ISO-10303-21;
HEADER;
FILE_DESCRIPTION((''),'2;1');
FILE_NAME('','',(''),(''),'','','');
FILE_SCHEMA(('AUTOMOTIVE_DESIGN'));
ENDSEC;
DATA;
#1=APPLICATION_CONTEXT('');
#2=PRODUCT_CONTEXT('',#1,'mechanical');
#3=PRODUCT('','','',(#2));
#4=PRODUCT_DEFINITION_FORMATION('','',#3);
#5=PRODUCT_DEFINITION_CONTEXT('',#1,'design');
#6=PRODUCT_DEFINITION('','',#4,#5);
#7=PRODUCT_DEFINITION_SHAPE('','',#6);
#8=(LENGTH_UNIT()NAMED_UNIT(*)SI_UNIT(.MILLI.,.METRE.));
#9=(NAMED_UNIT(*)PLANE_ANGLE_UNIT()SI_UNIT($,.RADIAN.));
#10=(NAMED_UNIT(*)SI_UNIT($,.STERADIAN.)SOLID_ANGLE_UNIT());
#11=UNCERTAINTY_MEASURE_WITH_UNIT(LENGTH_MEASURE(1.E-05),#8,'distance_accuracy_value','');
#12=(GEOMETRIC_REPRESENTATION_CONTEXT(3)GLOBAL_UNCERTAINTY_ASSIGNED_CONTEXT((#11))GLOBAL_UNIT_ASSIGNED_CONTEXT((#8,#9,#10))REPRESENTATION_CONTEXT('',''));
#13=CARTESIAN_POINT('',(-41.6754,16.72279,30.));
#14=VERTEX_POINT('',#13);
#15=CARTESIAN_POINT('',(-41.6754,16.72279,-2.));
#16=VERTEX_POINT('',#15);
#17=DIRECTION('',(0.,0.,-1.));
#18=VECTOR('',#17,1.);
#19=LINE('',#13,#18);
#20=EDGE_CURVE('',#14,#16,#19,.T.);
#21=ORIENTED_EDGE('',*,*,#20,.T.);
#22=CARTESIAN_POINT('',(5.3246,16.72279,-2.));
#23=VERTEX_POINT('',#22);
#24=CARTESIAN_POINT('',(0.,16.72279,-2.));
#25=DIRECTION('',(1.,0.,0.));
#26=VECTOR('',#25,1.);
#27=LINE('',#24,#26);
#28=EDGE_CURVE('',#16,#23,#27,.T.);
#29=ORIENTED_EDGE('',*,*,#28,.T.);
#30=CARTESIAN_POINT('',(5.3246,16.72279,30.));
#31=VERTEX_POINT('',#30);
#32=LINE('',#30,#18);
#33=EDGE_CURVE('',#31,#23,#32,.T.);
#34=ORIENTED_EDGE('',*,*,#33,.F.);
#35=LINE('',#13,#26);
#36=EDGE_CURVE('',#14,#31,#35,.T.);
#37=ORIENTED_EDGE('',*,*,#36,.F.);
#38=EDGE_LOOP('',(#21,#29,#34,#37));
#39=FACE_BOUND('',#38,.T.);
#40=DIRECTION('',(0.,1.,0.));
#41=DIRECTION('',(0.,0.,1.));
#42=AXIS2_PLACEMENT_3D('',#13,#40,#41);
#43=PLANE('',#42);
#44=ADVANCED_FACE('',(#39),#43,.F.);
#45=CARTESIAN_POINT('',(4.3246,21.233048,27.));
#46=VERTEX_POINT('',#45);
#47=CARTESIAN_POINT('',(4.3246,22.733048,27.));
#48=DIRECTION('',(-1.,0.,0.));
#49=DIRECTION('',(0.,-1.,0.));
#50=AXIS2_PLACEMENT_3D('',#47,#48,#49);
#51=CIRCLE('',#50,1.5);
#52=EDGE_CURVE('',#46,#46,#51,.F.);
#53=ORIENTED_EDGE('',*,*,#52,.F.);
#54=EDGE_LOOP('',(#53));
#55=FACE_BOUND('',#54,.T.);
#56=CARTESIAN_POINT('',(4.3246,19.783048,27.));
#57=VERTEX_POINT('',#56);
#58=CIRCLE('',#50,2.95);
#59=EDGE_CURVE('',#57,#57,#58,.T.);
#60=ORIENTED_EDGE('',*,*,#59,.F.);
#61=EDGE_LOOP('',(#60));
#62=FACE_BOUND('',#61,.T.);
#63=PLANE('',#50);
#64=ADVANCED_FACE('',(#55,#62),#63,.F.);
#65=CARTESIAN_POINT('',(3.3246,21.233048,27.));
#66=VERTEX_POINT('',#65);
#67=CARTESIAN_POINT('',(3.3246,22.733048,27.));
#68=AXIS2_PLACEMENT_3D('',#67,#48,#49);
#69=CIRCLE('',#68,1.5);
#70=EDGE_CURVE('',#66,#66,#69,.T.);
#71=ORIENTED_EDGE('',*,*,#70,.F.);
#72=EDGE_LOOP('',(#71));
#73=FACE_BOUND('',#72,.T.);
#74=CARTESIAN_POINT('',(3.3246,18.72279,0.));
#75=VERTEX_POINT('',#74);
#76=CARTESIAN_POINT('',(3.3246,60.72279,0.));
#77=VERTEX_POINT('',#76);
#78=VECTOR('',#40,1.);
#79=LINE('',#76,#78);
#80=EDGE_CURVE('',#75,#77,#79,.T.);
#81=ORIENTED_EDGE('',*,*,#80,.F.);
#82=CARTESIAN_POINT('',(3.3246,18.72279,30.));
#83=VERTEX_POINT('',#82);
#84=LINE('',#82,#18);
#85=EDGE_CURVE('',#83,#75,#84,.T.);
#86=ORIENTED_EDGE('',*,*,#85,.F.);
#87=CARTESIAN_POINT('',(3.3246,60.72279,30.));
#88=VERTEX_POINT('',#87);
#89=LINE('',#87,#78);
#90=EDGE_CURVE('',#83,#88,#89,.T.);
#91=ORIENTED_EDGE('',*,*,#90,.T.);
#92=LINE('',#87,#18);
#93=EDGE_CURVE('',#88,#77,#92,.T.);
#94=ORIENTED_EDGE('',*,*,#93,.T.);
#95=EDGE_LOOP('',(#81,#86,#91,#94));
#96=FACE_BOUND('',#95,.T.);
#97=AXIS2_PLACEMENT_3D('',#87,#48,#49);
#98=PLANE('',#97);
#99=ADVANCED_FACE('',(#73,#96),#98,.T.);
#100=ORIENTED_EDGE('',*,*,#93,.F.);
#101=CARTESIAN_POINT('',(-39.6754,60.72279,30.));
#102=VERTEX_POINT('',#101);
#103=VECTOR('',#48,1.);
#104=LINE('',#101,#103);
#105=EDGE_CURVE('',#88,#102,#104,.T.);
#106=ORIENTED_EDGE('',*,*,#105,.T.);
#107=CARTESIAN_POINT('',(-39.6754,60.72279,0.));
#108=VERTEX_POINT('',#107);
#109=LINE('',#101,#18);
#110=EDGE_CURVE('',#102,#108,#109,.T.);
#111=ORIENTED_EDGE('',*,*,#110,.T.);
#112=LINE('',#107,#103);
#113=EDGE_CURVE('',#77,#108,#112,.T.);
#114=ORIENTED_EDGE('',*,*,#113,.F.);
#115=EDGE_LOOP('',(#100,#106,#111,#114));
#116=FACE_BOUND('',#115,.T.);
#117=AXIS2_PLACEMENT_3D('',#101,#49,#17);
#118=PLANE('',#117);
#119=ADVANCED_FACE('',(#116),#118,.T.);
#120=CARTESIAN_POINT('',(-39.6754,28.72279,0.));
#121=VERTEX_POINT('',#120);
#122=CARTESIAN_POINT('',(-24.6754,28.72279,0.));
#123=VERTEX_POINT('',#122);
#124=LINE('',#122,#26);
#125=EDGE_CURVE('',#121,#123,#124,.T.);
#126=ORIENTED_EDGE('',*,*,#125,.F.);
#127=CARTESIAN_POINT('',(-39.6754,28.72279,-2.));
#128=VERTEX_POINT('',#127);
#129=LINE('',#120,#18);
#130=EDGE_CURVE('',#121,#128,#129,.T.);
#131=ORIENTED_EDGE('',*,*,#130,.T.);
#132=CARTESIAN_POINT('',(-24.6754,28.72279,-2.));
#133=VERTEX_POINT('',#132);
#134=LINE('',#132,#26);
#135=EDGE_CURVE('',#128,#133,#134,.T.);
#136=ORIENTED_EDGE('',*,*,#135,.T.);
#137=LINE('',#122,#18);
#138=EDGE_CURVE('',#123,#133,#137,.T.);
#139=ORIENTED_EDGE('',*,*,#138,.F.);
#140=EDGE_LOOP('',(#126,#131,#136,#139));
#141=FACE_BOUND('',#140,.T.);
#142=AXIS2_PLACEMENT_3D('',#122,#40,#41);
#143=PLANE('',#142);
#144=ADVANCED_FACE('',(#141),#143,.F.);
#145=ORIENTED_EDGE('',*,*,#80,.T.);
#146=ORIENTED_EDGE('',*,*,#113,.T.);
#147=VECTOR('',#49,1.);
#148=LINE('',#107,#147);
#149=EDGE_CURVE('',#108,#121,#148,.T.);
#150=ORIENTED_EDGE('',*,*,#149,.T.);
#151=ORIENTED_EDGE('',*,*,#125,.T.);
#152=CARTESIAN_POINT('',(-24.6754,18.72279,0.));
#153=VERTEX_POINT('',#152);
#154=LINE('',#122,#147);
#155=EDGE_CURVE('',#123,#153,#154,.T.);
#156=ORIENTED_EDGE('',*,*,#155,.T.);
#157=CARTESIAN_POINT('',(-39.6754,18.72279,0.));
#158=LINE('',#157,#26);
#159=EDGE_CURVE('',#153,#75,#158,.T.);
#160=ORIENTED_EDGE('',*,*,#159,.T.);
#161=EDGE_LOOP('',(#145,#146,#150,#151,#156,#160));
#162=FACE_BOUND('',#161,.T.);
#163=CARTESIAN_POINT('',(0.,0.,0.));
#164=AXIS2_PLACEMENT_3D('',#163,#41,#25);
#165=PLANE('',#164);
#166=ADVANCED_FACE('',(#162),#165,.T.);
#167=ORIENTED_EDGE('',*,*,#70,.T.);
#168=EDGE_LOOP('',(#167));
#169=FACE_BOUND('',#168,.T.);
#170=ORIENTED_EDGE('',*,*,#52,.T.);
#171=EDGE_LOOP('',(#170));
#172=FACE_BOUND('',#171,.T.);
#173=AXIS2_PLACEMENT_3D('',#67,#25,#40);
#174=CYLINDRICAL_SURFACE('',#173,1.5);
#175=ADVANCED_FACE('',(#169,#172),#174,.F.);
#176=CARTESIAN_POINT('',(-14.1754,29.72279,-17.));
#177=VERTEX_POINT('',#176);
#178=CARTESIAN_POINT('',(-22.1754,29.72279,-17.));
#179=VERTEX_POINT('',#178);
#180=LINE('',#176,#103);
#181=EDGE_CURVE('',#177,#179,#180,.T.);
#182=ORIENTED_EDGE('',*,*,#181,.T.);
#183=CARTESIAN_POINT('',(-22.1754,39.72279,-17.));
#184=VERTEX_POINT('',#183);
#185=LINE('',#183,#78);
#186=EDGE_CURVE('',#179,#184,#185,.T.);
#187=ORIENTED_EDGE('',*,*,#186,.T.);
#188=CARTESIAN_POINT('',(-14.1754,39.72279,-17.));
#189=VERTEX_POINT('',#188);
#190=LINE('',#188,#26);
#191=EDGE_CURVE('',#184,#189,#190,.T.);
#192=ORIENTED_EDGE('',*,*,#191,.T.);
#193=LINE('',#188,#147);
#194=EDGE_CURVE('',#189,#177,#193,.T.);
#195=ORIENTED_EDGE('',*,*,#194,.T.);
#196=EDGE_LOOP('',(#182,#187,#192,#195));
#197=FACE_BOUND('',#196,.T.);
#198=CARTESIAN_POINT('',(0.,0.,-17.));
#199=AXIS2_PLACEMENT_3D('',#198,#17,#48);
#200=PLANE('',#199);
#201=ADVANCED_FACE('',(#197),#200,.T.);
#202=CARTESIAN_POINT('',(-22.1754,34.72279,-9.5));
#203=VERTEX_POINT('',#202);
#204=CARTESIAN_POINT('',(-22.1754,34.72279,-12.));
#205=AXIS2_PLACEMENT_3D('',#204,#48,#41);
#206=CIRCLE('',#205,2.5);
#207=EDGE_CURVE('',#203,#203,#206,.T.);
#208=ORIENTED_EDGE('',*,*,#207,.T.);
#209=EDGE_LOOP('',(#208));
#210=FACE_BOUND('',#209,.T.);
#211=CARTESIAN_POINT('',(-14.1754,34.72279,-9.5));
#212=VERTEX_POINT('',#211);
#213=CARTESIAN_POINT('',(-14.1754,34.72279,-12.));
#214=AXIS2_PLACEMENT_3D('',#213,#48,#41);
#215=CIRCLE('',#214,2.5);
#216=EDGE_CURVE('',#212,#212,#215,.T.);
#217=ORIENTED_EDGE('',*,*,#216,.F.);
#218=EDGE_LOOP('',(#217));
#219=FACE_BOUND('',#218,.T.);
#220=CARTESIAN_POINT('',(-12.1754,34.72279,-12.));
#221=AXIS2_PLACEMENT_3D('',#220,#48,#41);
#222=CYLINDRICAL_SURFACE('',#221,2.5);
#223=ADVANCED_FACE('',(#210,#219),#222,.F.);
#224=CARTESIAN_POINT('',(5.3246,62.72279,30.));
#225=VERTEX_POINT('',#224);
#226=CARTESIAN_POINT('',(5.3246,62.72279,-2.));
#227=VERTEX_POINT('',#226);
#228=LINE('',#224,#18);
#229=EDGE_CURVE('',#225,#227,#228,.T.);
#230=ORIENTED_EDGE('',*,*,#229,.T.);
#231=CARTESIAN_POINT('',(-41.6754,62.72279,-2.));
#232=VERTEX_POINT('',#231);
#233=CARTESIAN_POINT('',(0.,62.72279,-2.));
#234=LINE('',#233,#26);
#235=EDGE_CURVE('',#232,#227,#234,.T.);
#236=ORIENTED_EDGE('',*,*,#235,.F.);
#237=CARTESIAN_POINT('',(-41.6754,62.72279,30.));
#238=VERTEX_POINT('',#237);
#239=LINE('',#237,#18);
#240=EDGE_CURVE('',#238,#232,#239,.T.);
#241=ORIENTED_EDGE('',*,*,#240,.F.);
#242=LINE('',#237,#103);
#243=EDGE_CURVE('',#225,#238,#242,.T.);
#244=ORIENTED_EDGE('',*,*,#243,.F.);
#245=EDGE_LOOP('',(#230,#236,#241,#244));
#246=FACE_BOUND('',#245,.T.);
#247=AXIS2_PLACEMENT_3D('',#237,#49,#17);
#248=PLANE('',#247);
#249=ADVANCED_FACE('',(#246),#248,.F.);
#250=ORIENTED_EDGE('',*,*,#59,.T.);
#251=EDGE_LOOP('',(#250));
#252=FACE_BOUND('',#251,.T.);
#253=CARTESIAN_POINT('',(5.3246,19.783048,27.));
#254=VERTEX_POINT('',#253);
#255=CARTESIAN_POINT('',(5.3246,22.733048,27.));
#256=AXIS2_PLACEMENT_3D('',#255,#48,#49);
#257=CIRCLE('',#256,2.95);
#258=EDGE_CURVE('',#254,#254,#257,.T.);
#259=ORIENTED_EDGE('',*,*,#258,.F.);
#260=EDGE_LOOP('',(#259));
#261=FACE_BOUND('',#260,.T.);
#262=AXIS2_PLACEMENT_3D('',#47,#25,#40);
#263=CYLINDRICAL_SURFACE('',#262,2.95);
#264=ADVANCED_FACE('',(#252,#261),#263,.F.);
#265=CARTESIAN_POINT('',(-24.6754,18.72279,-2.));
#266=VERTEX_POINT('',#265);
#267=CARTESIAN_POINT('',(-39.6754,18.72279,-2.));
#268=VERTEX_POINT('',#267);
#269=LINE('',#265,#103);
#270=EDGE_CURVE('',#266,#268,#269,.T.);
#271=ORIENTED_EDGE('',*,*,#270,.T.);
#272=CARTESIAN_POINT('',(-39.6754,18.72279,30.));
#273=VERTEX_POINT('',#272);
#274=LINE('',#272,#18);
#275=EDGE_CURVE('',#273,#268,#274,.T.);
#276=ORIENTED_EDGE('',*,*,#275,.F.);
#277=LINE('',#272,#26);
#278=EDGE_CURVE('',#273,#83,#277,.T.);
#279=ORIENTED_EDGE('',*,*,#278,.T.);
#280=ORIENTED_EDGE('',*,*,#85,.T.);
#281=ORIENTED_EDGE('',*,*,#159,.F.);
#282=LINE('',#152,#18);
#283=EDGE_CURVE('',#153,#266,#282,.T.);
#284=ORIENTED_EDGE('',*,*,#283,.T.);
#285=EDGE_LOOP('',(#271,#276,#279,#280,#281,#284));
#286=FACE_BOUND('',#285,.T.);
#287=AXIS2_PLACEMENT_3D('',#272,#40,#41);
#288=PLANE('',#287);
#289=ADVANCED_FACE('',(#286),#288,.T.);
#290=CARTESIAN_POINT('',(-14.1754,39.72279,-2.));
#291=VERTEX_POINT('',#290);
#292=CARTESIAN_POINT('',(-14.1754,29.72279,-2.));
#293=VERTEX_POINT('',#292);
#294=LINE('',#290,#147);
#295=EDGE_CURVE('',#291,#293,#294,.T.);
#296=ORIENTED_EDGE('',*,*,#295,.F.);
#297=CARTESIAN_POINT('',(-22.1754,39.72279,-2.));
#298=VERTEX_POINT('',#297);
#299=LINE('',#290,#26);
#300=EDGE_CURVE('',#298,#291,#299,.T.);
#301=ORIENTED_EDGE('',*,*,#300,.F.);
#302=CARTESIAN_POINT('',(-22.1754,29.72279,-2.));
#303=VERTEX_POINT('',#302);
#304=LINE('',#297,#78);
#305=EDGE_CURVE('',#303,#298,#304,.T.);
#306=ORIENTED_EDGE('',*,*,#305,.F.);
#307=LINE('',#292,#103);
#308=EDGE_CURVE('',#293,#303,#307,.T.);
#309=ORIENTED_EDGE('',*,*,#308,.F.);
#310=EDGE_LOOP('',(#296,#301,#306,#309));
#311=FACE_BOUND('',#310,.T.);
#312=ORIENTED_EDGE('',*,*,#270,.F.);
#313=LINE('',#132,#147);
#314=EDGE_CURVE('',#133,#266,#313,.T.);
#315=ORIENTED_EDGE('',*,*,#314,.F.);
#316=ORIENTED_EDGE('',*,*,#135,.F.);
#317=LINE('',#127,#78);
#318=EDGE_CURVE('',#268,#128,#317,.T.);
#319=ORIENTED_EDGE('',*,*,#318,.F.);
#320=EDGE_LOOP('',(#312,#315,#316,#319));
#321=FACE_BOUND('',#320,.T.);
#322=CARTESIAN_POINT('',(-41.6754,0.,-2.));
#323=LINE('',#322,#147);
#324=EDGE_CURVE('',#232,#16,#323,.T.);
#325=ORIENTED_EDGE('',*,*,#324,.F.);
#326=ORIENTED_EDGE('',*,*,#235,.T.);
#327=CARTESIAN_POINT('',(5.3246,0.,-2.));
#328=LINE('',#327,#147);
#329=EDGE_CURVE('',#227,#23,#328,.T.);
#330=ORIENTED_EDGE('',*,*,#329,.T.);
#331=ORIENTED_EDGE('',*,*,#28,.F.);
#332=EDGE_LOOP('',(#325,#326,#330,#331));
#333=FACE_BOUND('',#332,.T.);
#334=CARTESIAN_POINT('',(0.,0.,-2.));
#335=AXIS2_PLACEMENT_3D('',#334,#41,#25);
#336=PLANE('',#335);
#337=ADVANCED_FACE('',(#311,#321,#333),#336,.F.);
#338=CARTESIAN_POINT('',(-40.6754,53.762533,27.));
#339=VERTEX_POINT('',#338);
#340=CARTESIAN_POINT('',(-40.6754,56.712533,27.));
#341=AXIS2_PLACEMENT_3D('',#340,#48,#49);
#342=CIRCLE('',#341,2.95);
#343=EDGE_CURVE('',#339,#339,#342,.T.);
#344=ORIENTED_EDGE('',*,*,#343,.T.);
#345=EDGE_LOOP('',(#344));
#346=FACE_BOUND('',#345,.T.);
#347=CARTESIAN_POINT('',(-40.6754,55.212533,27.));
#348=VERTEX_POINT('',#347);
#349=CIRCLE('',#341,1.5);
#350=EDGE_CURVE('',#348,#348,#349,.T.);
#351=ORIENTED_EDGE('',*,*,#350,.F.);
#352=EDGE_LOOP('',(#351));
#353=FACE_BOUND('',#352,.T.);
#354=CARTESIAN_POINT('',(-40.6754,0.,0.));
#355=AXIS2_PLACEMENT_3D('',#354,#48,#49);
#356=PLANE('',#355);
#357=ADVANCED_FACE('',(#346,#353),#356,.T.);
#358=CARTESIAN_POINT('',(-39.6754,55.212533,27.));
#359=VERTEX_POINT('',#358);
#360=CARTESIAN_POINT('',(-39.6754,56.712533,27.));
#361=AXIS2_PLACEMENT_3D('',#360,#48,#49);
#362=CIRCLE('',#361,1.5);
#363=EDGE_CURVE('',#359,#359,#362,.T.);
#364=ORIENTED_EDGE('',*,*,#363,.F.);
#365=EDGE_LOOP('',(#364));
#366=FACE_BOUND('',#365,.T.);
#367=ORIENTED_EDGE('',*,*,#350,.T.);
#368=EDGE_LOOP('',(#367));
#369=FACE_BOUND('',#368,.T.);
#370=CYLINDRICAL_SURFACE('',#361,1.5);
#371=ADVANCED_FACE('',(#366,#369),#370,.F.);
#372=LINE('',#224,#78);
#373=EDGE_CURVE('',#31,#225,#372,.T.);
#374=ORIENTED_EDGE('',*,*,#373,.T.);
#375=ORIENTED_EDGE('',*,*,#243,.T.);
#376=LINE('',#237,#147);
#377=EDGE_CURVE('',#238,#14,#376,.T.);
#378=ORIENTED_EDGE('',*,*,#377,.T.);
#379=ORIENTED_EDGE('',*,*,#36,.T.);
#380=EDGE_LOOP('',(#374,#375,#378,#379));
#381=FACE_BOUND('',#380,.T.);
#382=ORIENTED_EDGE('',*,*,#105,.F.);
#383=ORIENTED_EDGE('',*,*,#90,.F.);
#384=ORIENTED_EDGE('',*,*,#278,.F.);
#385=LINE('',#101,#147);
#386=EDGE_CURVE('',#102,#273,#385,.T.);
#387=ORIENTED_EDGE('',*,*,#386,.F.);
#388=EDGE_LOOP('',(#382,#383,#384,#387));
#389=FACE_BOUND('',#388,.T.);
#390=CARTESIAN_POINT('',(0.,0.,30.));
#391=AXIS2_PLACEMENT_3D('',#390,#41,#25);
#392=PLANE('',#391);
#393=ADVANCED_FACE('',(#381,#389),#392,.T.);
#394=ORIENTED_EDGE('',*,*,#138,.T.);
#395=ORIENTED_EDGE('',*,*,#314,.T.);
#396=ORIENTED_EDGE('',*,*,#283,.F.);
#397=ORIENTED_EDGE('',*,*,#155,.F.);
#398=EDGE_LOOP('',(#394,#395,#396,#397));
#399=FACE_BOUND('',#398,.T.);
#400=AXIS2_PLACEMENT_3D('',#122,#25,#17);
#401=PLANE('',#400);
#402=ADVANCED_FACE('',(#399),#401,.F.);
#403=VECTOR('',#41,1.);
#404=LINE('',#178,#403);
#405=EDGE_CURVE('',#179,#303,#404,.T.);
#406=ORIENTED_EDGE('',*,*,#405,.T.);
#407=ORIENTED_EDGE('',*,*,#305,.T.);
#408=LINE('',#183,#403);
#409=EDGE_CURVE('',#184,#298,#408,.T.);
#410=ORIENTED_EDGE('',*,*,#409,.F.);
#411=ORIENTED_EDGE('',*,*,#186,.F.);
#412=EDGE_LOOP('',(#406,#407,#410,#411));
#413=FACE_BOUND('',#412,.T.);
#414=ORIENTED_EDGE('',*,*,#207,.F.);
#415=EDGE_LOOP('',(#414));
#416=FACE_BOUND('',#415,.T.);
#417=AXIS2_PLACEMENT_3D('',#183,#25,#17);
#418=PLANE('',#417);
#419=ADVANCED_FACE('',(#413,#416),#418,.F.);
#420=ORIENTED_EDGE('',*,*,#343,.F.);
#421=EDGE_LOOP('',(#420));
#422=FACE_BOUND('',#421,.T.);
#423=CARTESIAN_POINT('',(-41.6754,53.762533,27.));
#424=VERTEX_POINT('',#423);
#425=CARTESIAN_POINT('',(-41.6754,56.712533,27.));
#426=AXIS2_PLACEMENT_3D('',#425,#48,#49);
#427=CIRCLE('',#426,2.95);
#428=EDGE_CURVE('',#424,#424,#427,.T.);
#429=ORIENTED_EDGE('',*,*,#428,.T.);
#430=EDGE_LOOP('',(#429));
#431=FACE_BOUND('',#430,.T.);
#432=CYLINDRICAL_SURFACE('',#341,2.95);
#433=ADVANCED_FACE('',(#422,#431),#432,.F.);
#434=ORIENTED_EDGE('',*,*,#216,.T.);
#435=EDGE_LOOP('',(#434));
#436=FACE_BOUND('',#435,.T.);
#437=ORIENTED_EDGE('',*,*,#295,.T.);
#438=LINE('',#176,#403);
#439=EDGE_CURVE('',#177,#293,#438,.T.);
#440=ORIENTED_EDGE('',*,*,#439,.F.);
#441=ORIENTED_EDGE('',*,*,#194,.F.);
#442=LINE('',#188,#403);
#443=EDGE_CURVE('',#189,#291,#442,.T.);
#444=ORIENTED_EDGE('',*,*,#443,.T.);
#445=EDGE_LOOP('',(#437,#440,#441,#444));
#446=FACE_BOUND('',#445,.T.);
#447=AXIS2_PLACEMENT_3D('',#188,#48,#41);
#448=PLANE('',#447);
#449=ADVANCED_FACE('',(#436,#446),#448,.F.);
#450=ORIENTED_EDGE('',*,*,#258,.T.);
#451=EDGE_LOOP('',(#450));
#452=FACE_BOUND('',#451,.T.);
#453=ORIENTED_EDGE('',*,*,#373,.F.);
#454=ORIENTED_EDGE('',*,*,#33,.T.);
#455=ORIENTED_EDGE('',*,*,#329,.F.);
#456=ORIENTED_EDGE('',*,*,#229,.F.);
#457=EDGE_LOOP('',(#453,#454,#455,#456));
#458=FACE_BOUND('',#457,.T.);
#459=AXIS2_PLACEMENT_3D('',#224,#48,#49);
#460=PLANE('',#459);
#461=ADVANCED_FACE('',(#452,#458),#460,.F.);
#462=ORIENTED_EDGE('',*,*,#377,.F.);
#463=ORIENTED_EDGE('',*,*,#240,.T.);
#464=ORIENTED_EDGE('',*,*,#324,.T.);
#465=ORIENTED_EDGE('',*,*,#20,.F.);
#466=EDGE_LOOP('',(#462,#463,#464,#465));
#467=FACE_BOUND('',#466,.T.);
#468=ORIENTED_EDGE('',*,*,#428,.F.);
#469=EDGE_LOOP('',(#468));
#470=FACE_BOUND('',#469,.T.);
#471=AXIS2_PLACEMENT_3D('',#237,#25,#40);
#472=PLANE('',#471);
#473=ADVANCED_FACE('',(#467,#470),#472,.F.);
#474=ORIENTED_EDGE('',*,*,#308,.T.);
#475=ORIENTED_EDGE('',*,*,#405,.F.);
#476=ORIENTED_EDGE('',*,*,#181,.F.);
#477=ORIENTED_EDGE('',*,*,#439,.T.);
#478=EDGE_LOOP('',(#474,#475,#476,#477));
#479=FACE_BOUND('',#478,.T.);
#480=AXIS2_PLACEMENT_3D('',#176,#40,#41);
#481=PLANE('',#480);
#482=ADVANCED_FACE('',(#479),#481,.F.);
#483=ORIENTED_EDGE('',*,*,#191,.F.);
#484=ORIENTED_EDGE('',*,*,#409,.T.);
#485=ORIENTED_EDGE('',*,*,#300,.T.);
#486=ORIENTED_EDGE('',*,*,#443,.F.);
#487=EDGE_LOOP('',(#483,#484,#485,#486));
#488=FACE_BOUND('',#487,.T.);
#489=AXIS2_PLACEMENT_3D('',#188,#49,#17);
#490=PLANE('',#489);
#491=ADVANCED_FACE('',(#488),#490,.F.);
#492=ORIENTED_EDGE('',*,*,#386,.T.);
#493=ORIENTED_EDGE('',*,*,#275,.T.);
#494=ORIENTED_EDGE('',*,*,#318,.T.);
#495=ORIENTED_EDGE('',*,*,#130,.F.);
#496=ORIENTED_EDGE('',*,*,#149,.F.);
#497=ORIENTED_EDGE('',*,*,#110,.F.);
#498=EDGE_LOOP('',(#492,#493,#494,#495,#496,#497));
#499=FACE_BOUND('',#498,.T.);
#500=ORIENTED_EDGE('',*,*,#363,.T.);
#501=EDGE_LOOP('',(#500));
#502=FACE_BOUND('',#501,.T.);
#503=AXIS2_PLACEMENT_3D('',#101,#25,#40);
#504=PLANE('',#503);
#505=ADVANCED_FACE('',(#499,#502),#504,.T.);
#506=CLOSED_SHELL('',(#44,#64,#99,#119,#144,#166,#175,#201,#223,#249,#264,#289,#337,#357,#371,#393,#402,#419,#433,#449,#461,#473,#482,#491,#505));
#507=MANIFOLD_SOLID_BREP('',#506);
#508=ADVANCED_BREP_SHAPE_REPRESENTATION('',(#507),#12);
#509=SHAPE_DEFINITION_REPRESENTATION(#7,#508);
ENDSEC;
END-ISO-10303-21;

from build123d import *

# Parameters (mm, degrees)
SKETCH1_W         = 47
SKETCH1_H         = 46
SKETCH1_W_2       = 43
SKETCH1_H_2       = 42
WALLS_DEPTH       = 30
SKETCH1_2_W       = 47
SKETCH1_2_H       = 46
SKETCH1_2_W_2     = 43
SKETCH1_2_H_2     = 42
BACK_DEPTH        = 2
SKETCH2_W         = 15
SKETCH2_H         = 10
CABLE_DEPTH       = 2
SKETCH3_R         = 1.5
SETSCREW1_DEPTH   = 2
SKETCH3_6_R       = 2.95
SKETCH3_6_R_2     = 1.5
SETSCREW2_DEPTH   = 1
SETSCREW3_START   = -47
SKETCH3_7_R       = 2.95
SKETCH3_7_R_2     = 1.5
SETSCREW3_DEPTH   = 1
SETSCREW4_START   = -47
SKETCH3_8_R       = 1.5
SETSCREW4_DEPTH   = 2
SKETCH4_W         = 8
SKETCH4_H         = 10
MOUNT_JOINT_DEPTH = 15
SKETCH6_R         = 2.5
JOINT_DEPTH       = 10


with BuildPart() as part:
    # Sketch1 → Walls (new body)
    with BuildSketch(Plane.XY):
        with Locations((-18.175400489, 39.722790127)):
            Rectangle(SKETCH1_W, SKETCH1_H)
        with Locations((-18.175400489, 39.722790127)):
            Rectangle(SKETCH1_W_2, SKETCH1_H_2, mode=Mode.SUBTRACT)
    extrude(amount=WALLS_DEPTH)

    # Sketch1<2> → Back (add)
    # profile 1 of 2: a face of its own
    with BuildSketch(Plane.XY):
        with Locations((-18.175400489, 39.722790127)):
            Rectangle(SKETCH1_2_W, SKETCH1_2_H)
        with Locations((-18.175400489, 39.722790127)):
            Rectangle(SKETCH1_2_W_2, SKETCH1_2_H_2, mode=Mode.SUBTRACT)
    # profile 2 of 2: a face of its own
    with BuildSketch(Plane.XY):
        with Locations((-18.175400489, 39.722790127)):
            Rectangle(SKETCH1_2_W_2, SKETCH1_2_H_2)
    extrude(amount=-BACK_DEPTH)

    # Sketch2 → Cable (cut)
    with BuildSketch(Plane(origin=(0, 0, -2), x_dir=(-1, 0, 0), z_dir=(0, 0, -1))):
        with Locations((32.175400489, 23.722790127)):
            Rectangle(SKETCH2_W, SKETCH2_H)
    extrude(amount=-CABLE_DEPTH, mode=Mode.SUBTRACT)

    # Sketch3 → SetScrew1 (cut)
    with BuildSketch(Plane.ZY.offset(41.675400489)):
        with Locations(Location((27, 56.712532563, 0), (0, 0, 270))):
            Circle(SKETCH3_R)
    extrude(amount=-SETSCREW1_DEPTH, mode=Mode.SUBTRACT)

    # Sketch3<6> → SetScrew2 (cut)
    with BuildSketch(Plane.ZY.offset(41.675400489)):
        with Locations(Location((27, 56.712532563, 0), (0, 0, 270))):
            Circle(SKETCH3_6_R)
        with Locations(Location((27, 56.712532563, 0), (0, 0, 270))):
            Circle(SKETCH3_6_R_2, mode=Mode.SUBTRACT)
    extrude(amount=-SETSCREW2_DEPTH, mode=Mode.SUBTRACT)

    # Sketch3<7> → SetScrew3 (cut)
    with BuildSketch(Plane.ZY.offset(41.675400489).offset(SETSCREW3_START)):
        with Locations(Location((27, 22.733047692, 0), (0, 0, 270))):
            Circle(SKETCH3_7_R)
        with Locations(Location((27, 22.733047692, 0), (0, 0, 270))):
            Circle(SKETCH3_7_R_2, mode=Mode.SUBTRACT)
    extrude(amount=SETSCREW3_DEPTH, mode=Mode.SUBTRACT)

    # Sketch3<8> → SetScrew4 (cut)
    with BuildSketch(Plane.ZY.offset(41.675400489).offset(SETSCREW4_START)):
        with Locations(Location((27, 22.733047692, 0), (0, 0, 270))):
            Circle(SKETCH3_8_R)
    extrude(amount=SETSCREW4_DEPTH, mode=Mode.SUBTRACT)

    # Sketch4 → Mount Joint (add)
    with BuildSketch(Plane(origin=(0, 0, -2), x_dir=(-1, 0, 0), z_dir=(0, 0, -1))):
        with Locations((18.175400489, 34.722790127)):
            Rectangle(SKETCH4_W, SKETCH4_H)
    extrude(amount=MOUNT_JOINT_DEPTH)

    # Sketch6 → Joint (cut)
    with BuildSketch(Plane.ZY.offset(22.175400489)):
        with Locations((-12, 34.722790127)):
            Circle(SKETCH6_R)
    extrude(amount=-JOINT_DEPTH, mode=Mode.SUBTRACT)


solid = part.part
